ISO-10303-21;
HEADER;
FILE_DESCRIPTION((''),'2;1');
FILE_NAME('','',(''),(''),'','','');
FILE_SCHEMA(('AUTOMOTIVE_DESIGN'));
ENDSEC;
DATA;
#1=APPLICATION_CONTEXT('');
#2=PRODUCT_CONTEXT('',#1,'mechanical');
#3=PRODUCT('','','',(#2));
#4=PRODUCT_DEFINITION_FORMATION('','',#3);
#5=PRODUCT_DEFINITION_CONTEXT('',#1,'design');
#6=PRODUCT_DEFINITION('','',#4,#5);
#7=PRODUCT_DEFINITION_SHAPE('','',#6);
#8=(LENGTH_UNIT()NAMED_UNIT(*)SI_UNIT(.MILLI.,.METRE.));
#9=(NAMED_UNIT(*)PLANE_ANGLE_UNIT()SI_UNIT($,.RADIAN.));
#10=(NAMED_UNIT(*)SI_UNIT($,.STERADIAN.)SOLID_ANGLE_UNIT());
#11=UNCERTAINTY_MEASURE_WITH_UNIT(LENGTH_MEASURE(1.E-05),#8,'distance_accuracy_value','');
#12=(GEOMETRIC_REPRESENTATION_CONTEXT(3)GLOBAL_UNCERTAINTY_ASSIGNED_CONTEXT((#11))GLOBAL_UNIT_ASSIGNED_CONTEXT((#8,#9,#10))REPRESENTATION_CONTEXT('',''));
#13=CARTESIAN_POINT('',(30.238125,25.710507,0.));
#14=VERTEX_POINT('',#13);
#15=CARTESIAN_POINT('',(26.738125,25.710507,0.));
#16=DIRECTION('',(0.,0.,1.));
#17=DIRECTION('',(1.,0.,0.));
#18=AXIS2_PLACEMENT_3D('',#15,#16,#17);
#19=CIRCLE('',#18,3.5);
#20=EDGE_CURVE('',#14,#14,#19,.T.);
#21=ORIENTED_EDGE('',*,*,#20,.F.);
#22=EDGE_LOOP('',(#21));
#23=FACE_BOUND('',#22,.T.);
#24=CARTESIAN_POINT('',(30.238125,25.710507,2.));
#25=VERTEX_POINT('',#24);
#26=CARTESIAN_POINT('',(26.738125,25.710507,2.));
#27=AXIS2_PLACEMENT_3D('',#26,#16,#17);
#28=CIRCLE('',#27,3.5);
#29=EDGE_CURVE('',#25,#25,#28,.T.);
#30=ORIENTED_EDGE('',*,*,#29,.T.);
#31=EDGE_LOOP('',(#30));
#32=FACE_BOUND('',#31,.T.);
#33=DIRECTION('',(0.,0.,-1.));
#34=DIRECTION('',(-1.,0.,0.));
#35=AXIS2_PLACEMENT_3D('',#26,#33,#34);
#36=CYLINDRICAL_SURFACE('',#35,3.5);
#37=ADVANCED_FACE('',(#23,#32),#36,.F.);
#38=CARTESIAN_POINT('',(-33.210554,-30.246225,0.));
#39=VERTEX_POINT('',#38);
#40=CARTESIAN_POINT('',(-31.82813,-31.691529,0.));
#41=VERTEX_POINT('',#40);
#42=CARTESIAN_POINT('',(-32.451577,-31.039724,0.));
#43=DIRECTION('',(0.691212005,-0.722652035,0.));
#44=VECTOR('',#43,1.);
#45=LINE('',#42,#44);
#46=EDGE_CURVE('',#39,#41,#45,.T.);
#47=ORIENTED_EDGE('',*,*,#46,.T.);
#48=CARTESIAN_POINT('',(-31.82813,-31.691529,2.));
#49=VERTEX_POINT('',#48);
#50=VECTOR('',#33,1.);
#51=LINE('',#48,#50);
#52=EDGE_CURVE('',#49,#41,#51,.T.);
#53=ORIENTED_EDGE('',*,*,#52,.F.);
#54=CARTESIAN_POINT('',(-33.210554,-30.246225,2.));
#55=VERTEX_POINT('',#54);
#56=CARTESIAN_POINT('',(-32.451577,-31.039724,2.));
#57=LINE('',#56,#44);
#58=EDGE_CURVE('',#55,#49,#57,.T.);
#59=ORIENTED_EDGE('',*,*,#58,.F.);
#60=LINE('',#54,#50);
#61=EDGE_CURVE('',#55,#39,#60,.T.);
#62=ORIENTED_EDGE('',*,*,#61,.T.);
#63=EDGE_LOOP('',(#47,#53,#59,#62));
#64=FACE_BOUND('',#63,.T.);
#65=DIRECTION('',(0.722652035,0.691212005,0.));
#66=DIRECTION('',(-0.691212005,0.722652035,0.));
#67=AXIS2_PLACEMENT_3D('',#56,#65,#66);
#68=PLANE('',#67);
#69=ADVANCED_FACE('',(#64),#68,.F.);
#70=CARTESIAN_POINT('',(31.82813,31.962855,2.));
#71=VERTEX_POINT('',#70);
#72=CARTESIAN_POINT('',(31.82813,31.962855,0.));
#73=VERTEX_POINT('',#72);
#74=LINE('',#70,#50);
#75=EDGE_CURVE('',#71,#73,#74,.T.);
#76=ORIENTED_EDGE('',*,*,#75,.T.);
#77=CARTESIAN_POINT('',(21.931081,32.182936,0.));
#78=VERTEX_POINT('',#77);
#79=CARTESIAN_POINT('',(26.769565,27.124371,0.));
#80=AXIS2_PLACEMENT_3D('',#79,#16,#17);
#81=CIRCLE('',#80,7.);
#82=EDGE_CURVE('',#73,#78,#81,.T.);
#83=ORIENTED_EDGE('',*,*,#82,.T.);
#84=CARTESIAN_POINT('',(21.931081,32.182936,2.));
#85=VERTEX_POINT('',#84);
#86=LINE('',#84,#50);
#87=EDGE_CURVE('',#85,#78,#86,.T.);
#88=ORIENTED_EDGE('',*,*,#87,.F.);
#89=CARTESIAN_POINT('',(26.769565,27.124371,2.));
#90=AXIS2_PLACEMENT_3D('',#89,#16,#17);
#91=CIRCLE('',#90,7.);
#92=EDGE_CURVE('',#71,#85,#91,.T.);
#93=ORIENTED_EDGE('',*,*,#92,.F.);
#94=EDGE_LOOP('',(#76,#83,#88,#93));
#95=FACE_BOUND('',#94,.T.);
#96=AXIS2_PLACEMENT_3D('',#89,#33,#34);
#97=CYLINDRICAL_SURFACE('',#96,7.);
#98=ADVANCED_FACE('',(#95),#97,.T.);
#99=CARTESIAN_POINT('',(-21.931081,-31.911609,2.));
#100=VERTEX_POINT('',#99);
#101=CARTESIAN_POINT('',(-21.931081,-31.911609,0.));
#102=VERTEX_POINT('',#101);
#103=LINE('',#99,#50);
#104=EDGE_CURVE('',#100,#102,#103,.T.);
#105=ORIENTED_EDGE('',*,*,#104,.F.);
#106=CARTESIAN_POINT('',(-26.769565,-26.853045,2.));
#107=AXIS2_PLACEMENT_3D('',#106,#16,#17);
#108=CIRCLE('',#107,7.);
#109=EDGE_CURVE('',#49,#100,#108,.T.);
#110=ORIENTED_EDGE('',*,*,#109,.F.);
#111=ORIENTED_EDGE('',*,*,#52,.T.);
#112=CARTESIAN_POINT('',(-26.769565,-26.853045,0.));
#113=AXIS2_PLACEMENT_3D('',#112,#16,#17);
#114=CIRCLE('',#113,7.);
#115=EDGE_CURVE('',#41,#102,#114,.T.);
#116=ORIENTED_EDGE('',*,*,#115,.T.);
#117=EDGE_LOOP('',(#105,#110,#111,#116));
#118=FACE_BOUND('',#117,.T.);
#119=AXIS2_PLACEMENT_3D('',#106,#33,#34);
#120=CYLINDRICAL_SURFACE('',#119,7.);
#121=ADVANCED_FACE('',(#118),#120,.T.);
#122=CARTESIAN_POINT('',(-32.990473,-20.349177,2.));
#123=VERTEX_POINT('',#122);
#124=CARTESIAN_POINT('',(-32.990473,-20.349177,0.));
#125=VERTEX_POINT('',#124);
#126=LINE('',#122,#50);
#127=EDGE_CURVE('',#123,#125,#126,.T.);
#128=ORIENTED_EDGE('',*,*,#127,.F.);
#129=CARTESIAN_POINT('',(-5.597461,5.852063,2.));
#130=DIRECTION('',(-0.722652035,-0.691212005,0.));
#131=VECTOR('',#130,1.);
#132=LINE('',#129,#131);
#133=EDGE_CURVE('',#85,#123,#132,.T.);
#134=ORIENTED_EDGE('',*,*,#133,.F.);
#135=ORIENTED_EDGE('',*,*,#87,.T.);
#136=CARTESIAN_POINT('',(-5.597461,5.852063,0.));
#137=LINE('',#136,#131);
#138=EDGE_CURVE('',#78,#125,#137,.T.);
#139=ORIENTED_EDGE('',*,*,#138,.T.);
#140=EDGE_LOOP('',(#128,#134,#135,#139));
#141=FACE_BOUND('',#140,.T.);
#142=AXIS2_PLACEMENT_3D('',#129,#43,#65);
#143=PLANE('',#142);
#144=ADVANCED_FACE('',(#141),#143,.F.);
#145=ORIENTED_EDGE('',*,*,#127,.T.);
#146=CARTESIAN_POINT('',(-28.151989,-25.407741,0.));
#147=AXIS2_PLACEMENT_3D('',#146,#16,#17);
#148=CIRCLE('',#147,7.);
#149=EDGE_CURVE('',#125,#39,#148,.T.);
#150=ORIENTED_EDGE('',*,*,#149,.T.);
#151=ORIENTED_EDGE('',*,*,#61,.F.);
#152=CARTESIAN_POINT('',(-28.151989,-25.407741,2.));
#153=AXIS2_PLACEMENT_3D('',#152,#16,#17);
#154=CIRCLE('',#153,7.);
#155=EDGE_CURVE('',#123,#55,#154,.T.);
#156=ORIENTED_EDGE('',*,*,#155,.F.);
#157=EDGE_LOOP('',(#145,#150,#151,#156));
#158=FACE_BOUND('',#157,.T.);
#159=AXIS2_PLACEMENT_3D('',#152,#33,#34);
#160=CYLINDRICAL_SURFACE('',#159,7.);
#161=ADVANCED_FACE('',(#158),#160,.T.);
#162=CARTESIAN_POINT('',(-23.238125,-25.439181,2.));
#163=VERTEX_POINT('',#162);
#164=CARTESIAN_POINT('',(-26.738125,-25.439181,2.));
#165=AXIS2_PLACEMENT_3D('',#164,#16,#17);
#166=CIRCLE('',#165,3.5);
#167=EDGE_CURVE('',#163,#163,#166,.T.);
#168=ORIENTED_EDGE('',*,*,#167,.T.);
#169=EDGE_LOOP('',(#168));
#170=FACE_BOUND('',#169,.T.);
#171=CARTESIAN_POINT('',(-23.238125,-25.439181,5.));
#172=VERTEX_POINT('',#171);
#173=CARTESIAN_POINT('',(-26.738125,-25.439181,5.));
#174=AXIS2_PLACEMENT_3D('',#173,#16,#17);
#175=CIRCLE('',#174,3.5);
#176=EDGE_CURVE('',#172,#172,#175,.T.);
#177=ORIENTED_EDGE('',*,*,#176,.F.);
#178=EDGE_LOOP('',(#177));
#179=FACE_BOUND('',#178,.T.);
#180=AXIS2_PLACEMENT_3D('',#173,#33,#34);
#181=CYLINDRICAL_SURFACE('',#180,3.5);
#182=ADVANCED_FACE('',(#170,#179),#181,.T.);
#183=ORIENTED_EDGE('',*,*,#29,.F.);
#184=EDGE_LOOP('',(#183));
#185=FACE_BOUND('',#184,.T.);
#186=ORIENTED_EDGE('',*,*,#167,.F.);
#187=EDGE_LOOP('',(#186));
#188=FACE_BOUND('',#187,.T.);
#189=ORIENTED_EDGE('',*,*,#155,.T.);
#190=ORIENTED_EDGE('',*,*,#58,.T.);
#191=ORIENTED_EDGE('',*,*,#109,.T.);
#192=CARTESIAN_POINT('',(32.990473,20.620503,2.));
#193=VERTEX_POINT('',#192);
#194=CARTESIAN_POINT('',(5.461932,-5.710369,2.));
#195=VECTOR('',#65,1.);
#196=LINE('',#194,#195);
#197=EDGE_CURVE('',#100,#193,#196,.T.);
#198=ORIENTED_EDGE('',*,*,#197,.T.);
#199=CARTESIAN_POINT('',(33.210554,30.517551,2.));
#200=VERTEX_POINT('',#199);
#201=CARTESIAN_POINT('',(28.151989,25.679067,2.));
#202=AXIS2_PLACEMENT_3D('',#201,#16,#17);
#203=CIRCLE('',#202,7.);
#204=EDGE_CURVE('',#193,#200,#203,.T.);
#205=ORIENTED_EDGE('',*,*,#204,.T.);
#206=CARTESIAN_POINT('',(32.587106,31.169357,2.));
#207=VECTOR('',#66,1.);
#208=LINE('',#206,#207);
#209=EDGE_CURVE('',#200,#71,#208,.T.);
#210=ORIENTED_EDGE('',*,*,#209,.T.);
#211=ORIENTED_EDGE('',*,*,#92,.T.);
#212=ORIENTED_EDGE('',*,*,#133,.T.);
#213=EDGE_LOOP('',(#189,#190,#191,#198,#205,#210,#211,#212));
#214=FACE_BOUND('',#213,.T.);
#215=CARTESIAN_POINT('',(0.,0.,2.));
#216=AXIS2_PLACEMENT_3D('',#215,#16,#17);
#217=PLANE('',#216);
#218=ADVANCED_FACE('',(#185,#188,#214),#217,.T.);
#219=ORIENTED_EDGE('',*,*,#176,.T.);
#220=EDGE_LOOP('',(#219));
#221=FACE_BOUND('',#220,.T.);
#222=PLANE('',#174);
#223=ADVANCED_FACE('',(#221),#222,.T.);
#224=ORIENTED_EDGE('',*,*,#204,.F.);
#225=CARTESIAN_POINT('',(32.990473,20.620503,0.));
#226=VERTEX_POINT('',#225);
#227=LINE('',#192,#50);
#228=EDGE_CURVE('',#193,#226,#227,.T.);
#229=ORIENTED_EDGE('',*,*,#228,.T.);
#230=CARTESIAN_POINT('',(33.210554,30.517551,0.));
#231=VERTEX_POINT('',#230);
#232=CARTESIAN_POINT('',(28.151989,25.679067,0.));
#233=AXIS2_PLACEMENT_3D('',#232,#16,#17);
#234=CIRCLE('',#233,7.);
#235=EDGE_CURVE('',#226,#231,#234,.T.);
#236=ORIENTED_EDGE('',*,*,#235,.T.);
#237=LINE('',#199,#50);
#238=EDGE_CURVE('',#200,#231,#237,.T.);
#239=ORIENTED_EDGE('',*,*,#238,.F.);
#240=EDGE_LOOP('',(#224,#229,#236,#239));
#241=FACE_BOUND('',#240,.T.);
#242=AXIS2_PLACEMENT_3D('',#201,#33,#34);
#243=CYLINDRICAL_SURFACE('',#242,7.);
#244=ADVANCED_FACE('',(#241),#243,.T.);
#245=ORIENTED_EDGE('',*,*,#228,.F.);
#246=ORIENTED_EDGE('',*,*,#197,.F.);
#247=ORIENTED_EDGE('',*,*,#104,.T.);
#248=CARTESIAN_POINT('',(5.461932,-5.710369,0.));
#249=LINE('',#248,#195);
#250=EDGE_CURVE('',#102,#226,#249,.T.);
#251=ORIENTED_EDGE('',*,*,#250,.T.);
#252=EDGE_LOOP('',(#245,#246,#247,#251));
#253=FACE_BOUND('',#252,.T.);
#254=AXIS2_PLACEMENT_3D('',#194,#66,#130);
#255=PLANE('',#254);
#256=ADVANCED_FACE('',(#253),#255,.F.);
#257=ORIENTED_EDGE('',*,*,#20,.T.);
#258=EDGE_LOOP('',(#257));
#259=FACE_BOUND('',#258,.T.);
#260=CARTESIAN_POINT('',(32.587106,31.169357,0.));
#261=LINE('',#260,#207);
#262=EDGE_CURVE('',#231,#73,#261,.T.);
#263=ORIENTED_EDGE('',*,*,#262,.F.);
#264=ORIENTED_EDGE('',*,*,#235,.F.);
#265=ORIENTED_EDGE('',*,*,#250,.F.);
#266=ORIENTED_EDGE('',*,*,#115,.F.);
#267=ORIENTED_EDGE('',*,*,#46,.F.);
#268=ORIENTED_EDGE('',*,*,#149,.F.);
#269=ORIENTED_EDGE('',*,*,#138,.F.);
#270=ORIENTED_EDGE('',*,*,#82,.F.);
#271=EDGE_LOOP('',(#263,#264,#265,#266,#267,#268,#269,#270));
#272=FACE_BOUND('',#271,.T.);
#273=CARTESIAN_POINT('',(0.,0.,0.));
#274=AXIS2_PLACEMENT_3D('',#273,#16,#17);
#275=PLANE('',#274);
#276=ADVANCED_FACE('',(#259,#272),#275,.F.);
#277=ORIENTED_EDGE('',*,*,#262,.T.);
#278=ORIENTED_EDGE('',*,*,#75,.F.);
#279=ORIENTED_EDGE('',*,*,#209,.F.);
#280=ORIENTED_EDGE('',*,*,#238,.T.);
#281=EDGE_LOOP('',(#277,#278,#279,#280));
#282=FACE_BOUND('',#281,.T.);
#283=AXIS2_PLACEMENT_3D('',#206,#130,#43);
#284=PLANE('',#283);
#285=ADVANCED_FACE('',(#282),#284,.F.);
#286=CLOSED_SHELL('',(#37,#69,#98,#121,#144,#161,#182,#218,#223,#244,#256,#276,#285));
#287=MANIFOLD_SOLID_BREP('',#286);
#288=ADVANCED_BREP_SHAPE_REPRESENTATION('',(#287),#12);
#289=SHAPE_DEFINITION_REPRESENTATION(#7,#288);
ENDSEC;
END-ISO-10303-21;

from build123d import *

# Parameters (mm, degrees)
SKETCH1_R           = 3.5
BOSS_EXTRUDE2_DEPTH = 2
SKETCH2_R           = 3.5
BOSS_EXTRUDE3_DEPTH = 3


with BuildPart() as part:
    # Sketch1 → Boss-Extrude2 (new body)
    with BuildSketch(Plane.XY):
        with BuildLine():
            ThreePointArc((31.828129573, 31.962855422), (26.925185535, 34.12264134), (21.93108129, 32.182935631))
            Line((21.93108129, 32.182935631), (-32.990473375, -20.349176769))
            ThreePointArc((-32.990473375, -20.349176769), (-35.150259292, -25.252120806), (-33.210553583, -30.246225051))
            Line((-33.210553583, -30.246225051), (-31.828129573, -31.691529121))
            ThreePointArc((-31.828129573, -31.691529121), (-26.925185535, -33.851315038), (-21.93108129, -31.91160933))
            Line((-21.93108129, -31.91160933), (32.990473375, 20.62050307))
            ThreePointArc((32.990473375, 20.62050307), (35.150259292, 25.523447107), (33.210553583, 30.517551352))
            Line((33.210553583, 30.517551352), (31.828129573, 31.962855422))
        make_face()
        with Locations((26.738125297, 25.710507345)):
            Circle(SKETCH1_R, mode=Mode.SUBTRACT)
    extrude(amount=BOSS_EXTRUDE2_DEPTH)

    # Sketch2 → Boss-Extrude3 (add)
    with BuildSketch(Plane.XY.offset(2)):
        with Locations((-26.738125297, -25.439181044)):
            Circle(SKETCH2_R)
    extrude(amount=BOSS_EXTRUDE3_DEPTH)


solid = part.part
